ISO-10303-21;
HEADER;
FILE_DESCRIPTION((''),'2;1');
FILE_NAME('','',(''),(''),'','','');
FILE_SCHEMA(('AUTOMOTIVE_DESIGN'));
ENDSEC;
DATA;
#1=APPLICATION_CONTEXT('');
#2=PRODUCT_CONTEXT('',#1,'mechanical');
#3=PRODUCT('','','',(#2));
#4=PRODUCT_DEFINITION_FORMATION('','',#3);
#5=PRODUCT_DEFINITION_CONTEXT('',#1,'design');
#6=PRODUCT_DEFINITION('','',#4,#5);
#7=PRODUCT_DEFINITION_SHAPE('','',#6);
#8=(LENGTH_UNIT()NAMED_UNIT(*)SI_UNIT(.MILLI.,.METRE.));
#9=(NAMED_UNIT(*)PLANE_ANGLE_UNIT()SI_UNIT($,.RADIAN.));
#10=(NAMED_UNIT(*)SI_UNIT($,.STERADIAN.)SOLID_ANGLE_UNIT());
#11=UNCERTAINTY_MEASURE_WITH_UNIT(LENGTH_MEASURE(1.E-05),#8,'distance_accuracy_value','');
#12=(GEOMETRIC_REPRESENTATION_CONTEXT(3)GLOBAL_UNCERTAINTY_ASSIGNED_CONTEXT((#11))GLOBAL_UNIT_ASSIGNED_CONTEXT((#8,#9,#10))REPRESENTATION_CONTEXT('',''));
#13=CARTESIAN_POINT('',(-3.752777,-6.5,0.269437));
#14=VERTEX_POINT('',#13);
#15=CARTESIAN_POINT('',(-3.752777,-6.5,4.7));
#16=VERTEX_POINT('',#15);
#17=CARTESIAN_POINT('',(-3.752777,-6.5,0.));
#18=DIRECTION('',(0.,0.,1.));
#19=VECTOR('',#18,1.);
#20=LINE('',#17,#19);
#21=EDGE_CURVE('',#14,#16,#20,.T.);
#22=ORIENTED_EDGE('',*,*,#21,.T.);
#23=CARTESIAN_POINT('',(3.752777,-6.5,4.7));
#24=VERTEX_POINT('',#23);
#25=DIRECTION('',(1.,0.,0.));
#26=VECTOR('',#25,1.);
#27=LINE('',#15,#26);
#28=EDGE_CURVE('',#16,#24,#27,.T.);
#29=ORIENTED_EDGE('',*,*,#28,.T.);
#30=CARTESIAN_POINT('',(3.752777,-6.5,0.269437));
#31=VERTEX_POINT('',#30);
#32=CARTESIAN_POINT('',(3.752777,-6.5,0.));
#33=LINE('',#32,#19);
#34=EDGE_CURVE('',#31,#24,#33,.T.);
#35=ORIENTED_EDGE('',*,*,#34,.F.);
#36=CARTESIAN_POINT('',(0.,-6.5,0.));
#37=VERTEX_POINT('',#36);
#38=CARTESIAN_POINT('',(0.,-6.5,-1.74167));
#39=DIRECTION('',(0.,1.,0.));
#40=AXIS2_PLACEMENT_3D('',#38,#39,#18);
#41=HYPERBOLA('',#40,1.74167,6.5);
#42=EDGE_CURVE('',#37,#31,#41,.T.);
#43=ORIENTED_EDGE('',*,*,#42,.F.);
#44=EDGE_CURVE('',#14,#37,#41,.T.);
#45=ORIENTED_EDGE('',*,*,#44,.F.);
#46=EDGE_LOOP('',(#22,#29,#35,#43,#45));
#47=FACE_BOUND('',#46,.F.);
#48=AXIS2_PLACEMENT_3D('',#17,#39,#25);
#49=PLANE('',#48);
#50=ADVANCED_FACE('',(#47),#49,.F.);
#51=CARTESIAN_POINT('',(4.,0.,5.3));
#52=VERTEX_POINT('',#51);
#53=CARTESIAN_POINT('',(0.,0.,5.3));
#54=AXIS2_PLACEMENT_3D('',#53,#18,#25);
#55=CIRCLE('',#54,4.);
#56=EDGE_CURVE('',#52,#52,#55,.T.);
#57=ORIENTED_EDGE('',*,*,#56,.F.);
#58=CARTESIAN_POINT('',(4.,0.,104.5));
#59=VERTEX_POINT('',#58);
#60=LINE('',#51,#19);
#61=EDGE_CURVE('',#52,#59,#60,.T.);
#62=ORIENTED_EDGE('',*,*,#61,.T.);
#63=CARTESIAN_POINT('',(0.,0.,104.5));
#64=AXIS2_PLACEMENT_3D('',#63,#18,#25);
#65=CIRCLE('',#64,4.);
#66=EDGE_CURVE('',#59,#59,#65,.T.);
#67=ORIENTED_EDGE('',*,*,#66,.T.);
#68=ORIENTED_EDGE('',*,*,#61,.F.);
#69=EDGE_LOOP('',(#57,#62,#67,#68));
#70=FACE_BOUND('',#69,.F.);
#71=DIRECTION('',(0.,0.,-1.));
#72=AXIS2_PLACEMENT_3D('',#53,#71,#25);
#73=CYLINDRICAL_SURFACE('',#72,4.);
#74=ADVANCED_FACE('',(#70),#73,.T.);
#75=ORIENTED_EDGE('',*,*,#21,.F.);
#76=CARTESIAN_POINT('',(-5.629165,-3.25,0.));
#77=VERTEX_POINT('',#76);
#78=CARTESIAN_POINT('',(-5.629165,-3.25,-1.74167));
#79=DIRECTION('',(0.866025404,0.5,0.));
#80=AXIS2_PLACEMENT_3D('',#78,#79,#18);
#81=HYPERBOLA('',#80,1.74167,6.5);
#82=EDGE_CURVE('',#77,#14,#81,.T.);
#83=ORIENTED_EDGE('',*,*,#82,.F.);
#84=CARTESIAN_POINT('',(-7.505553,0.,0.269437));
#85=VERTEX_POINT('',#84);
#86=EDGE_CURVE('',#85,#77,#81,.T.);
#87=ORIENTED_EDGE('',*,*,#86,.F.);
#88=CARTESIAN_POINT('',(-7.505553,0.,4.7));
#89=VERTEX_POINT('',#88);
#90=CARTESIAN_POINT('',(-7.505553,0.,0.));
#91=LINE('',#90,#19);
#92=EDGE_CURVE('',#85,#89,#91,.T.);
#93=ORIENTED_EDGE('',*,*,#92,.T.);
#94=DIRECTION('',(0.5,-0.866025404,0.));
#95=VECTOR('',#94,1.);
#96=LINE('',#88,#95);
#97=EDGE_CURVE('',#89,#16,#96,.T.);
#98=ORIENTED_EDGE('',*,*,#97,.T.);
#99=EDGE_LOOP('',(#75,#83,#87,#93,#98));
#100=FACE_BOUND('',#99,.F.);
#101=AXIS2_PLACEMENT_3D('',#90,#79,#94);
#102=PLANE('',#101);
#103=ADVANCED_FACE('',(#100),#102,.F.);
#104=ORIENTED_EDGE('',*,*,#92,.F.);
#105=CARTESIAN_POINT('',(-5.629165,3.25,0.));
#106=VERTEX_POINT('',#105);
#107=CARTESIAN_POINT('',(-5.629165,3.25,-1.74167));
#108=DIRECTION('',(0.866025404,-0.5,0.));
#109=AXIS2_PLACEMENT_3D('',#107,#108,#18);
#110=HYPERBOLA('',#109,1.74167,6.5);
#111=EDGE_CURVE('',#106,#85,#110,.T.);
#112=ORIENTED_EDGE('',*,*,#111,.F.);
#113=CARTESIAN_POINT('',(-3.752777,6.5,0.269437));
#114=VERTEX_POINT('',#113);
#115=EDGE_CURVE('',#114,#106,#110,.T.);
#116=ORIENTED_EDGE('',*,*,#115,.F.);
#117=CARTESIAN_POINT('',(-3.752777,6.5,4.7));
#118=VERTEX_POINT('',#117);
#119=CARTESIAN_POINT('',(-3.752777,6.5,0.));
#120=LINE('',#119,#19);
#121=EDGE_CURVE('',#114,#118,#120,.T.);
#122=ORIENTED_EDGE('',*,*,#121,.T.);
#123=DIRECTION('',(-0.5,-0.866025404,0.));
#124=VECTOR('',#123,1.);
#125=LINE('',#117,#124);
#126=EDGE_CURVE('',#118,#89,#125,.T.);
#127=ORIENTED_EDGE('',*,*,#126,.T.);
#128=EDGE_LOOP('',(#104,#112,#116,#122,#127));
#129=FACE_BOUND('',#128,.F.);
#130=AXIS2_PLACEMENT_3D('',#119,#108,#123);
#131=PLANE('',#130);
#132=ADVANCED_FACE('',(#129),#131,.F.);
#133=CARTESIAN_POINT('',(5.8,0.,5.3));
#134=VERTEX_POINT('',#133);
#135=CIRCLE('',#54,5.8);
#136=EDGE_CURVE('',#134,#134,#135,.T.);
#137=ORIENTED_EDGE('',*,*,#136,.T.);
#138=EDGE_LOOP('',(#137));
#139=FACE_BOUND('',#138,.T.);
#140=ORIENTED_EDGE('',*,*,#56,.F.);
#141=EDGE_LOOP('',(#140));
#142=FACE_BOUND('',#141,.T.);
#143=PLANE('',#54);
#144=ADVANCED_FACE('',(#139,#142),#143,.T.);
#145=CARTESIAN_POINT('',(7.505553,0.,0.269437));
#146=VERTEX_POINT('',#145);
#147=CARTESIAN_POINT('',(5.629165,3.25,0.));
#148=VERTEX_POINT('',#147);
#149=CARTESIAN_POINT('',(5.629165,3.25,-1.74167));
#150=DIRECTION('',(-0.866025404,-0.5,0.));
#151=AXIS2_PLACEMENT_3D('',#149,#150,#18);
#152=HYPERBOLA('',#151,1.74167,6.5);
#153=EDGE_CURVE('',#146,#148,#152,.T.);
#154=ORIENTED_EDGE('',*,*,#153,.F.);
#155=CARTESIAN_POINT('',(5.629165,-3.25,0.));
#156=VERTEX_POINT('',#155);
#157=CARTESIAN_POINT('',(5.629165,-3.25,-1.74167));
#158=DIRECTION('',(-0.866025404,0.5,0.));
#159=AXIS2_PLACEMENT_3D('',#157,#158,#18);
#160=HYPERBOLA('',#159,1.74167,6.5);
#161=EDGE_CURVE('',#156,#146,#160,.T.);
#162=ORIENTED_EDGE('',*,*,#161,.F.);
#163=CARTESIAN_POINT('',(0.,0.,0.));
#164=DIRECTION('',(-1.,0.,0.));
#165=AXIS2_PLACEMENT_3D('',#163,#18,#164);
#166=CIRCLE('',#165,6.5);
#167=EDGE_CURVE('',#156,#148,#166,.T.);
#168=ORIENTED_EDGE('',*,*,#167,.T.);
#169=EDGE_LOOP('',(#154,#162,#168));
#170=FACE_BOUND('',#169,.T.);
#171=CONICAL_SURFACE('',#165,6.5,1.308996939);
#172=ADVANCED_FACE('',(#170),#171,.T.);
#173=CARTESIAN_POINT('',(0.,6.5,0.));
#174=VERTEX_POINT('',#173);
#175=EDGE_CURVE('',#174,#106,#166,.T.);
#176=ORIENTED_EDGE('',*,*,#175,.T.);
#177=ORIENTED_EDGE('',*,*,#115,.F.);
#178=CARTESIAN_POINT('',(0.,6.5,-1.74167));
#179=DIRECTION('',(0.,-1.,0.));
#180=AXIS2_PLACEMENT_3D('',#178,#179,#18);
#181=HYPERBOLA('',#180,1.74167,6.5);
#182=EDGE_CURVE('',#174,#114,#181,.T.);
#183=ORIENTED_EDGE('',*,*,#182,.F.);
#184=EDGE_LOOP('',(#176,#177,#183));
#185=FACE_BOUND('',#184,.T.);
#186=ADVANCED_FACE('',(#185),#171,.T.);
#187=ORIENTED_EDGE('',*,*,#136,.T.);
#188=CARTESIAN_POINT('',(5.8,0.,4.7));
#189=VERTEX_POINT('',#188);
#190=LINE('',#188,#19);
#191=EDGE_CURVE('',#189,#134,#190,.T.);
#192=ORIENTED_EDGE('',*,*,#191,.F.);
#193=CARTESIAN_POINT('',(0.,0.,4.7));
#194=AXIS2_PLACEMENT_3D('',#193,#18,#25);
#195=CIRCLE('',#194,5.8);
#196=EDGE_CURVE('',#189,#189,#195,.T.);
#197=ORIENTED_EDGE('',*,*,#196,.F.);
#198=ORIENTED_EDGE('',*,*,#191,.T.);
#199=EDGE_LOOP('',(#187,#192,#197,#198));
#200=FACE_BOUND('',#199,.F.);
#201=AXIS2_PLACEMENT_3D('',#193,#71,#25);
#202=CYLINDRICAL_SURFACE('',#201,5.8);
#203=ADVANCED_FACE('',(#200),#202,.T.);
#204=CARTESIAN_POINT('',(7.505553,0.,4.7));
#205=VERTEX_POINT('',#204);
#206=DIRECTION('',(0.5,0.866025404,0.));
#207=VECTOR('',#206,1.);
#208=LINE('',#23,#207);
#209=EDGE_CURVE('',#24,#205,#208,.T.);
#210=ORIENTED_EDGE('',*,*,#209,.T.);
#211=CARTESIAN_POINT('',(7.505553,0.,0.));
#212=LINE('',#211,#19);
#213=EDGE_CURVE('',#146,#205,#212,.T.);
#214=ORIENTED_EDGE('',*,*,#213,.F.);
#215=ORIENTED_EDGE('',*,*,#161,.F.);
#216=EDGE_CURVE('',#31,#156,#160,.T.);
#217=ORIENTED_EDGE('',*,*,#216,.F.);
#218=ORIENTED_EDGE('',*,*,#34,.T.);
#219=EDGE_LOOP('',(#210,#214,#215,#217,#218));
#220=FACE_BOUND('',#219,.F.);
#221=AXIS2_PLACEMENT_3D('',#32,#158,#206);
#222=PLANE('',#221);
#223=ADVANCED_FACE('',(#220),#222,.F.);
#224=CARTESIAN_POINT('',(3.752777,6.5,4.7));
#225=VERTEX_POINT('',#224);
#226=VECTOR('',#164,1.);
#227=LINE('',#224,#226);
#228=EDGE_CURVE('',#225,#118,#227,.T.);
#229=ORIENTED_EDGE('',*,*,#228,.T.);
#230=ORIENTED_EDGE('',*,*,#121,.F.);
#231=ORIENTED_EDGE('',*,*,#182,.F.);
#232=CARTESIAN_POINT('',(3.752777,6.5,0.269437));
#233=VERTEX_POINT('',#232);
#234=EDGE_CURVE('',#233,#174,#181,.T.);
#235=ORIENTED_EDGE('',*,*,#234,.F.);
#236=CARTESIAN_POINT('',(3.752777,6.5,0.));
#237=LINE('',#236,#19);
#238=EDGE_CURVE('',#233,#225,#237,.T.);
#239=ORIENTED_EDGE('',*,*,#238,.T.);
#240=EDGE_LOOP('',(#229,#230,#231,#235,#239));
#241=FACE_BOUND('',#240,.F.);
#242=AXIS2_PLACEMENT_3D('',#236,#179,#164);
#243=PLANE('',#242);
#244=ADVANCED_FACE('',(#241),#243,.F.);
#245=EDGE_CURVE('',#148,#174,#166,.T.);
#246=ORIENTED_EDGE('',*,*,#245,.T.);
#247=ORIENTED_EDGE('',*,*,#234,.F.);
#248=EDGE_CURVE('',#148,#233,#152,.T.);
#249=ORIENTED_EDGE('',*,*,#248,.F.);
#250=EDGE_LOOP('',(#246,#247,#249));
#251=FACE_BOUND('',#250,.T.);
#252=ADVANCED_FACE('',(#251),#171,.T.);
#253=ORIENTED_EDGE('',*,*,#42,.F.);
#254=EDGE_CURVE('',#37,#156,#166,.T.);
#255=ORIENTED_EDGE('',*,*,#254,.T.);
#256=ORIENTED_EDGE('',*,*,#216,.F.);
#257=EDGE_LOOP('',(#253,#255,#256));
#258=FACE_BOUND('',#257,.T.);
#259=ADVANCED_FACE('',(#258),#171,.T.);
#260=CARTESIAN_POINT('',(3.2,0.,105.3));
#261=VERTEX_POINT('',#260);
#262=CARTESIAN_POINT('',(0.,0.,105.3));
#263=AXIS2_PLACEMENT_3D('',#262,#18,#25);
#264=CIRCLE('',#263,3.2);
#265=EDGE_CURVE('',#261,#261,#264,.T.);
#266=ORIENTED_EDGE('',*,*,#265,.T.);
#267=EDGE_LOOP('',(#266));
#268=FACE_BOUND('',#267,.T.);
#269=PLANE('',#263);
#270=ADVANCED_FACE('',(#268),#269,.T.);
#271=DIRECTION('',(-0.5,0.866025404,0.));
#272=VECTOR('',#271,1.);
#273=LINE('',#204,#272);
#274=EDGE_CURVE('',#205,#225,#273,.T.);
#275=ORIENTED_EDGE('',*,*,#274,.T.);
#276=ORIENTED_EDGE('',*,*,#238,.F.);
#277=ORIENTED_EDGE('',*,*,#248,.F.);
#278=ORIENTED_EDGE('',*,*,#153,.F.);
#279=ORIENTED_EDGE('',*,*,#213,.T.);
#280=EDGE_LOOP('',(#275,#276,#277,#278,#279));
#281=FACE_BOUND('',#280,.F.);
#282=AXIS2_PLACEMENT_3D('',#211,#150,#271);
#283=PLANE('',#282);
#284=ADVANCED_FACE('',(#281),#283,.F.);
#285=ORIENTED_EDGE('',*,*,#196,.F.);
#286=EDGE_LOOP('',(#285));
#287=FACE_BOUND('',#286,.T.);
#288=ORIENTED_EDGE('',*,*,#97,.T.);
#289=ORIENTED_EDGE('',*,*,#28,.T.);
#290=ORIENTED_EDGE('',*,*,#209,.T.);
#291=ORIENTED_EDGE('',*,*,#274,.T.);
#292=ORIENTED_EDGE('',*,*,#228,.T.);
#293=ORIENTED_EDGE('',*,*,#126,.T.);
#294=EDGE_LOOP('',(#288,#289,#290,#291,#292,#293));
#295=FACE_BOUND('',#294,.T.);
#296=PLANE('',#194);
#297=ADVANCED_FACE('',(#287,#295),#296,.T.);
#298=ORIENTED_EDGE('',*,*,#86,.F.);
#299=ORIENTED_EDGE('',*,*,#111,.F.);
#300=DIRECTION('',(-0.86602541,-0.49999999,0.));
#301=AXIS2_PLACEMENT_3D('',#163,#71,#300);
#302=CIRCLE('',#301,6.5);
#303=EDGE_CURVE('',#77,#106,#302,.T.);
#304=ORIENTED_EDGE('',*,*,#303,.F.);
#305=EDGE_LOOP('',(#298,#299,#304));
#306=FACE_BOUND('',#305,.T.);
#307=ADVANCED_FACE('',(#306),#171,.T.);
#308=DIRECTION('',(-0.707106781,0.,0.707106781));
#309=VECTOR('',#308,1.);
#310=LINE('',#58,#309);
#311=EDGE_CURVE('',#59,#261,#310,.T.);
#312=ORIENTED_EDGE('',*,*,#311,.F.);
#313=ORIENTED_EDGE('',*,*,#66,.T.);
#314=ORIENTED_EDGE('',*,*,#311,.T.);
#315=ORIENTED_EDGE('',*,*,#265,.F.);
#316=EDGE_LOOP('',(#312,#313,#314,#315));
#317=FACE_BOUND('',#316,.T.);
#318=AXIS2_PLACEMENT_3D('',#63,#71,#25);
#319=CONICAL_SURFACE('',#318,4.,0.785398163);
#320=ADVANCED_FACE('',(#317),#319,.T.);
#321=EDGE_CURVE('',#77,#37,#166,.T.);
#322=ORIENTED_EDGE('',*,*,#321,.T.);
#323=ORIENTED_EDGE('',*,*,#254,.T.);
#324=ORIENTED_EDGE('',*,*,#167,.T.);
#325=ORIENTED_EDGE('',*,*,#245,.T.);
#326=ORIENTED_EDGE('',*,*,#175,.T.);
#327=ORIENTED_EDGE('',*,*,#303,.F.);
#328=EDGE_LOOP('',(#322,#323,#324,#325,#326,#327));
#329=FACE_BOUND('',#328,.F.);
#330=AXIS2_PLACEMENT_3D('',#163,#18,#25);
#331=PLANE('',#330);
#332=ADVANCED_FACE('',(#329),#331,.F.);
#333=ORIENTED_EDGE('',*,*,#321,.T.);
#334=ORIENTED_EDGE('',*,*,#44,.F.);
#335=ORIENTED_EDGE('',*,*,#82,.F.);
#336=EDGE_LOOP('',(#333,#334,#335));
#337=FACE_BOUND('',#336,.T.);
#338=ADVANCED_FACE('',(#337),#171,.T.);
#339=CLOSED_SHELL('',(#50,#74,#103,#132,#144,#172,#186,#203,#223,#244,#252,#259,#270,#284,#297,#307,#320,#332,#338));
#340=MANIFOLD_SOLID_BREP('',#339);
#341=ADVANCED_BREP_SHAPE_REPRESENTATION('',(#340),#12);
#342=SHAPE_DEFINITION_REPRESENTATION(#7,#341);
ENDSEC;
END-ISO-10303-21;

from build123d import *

# Parameters (mm, degrees)
F1_DEPTH = 4.7
F4_R     = 5.8
F5_DEPTH = 0.6
F6_R     = 4
F7_DEPTH = 100
F8_SIZE  = 0.8


with BuildPart() as f1:
    # F0 (on Top) → F1 (new body)
    with BuildSketch(Plane.XY):
        Polygon((-3.7527767497, -6.5), (3.7527767497, -6.5), (7.5055534995, 0), (3.7527767497, 6.5), (-3.7527767497, 6.5), (-7.5055534995, 0), align=None)
    extrude(amount=F1_DEPTH)

    # F2 (on Front) → F3 (revolve, cut)
    with BuildSketch(Plane.XZ):
        Polygon((-7.5055534995, 0), (-6.5, 0), (-7.5055534995, 0.2694372481), align=None)
    revolve(axis=Axis((0, 0, 10.3672710247), (0, 0, 1)), mode=Mode.SUBTRACT)

    # F4 (on face) → F5 (join)
    with BuildSketch(Plane.XY.offset(4.7)):
        Circle(F4_R)
    extrude(amount=F5_DEPTH)

    # F6 (on face) → F7 (join)
    with BuildSketch(Plane.XY.offset(5.3)):
        Circle(F6_R)
    extrude(amount=F7_DEPTH)

    # F8
    f8_edges = [f1.edges().sort_by_distance(p)[0] for p in [
        (-4, 0, 105.3),
    ]]
    chamfer(f8_edges, length=F8_SIZE)


solid = f1.part
